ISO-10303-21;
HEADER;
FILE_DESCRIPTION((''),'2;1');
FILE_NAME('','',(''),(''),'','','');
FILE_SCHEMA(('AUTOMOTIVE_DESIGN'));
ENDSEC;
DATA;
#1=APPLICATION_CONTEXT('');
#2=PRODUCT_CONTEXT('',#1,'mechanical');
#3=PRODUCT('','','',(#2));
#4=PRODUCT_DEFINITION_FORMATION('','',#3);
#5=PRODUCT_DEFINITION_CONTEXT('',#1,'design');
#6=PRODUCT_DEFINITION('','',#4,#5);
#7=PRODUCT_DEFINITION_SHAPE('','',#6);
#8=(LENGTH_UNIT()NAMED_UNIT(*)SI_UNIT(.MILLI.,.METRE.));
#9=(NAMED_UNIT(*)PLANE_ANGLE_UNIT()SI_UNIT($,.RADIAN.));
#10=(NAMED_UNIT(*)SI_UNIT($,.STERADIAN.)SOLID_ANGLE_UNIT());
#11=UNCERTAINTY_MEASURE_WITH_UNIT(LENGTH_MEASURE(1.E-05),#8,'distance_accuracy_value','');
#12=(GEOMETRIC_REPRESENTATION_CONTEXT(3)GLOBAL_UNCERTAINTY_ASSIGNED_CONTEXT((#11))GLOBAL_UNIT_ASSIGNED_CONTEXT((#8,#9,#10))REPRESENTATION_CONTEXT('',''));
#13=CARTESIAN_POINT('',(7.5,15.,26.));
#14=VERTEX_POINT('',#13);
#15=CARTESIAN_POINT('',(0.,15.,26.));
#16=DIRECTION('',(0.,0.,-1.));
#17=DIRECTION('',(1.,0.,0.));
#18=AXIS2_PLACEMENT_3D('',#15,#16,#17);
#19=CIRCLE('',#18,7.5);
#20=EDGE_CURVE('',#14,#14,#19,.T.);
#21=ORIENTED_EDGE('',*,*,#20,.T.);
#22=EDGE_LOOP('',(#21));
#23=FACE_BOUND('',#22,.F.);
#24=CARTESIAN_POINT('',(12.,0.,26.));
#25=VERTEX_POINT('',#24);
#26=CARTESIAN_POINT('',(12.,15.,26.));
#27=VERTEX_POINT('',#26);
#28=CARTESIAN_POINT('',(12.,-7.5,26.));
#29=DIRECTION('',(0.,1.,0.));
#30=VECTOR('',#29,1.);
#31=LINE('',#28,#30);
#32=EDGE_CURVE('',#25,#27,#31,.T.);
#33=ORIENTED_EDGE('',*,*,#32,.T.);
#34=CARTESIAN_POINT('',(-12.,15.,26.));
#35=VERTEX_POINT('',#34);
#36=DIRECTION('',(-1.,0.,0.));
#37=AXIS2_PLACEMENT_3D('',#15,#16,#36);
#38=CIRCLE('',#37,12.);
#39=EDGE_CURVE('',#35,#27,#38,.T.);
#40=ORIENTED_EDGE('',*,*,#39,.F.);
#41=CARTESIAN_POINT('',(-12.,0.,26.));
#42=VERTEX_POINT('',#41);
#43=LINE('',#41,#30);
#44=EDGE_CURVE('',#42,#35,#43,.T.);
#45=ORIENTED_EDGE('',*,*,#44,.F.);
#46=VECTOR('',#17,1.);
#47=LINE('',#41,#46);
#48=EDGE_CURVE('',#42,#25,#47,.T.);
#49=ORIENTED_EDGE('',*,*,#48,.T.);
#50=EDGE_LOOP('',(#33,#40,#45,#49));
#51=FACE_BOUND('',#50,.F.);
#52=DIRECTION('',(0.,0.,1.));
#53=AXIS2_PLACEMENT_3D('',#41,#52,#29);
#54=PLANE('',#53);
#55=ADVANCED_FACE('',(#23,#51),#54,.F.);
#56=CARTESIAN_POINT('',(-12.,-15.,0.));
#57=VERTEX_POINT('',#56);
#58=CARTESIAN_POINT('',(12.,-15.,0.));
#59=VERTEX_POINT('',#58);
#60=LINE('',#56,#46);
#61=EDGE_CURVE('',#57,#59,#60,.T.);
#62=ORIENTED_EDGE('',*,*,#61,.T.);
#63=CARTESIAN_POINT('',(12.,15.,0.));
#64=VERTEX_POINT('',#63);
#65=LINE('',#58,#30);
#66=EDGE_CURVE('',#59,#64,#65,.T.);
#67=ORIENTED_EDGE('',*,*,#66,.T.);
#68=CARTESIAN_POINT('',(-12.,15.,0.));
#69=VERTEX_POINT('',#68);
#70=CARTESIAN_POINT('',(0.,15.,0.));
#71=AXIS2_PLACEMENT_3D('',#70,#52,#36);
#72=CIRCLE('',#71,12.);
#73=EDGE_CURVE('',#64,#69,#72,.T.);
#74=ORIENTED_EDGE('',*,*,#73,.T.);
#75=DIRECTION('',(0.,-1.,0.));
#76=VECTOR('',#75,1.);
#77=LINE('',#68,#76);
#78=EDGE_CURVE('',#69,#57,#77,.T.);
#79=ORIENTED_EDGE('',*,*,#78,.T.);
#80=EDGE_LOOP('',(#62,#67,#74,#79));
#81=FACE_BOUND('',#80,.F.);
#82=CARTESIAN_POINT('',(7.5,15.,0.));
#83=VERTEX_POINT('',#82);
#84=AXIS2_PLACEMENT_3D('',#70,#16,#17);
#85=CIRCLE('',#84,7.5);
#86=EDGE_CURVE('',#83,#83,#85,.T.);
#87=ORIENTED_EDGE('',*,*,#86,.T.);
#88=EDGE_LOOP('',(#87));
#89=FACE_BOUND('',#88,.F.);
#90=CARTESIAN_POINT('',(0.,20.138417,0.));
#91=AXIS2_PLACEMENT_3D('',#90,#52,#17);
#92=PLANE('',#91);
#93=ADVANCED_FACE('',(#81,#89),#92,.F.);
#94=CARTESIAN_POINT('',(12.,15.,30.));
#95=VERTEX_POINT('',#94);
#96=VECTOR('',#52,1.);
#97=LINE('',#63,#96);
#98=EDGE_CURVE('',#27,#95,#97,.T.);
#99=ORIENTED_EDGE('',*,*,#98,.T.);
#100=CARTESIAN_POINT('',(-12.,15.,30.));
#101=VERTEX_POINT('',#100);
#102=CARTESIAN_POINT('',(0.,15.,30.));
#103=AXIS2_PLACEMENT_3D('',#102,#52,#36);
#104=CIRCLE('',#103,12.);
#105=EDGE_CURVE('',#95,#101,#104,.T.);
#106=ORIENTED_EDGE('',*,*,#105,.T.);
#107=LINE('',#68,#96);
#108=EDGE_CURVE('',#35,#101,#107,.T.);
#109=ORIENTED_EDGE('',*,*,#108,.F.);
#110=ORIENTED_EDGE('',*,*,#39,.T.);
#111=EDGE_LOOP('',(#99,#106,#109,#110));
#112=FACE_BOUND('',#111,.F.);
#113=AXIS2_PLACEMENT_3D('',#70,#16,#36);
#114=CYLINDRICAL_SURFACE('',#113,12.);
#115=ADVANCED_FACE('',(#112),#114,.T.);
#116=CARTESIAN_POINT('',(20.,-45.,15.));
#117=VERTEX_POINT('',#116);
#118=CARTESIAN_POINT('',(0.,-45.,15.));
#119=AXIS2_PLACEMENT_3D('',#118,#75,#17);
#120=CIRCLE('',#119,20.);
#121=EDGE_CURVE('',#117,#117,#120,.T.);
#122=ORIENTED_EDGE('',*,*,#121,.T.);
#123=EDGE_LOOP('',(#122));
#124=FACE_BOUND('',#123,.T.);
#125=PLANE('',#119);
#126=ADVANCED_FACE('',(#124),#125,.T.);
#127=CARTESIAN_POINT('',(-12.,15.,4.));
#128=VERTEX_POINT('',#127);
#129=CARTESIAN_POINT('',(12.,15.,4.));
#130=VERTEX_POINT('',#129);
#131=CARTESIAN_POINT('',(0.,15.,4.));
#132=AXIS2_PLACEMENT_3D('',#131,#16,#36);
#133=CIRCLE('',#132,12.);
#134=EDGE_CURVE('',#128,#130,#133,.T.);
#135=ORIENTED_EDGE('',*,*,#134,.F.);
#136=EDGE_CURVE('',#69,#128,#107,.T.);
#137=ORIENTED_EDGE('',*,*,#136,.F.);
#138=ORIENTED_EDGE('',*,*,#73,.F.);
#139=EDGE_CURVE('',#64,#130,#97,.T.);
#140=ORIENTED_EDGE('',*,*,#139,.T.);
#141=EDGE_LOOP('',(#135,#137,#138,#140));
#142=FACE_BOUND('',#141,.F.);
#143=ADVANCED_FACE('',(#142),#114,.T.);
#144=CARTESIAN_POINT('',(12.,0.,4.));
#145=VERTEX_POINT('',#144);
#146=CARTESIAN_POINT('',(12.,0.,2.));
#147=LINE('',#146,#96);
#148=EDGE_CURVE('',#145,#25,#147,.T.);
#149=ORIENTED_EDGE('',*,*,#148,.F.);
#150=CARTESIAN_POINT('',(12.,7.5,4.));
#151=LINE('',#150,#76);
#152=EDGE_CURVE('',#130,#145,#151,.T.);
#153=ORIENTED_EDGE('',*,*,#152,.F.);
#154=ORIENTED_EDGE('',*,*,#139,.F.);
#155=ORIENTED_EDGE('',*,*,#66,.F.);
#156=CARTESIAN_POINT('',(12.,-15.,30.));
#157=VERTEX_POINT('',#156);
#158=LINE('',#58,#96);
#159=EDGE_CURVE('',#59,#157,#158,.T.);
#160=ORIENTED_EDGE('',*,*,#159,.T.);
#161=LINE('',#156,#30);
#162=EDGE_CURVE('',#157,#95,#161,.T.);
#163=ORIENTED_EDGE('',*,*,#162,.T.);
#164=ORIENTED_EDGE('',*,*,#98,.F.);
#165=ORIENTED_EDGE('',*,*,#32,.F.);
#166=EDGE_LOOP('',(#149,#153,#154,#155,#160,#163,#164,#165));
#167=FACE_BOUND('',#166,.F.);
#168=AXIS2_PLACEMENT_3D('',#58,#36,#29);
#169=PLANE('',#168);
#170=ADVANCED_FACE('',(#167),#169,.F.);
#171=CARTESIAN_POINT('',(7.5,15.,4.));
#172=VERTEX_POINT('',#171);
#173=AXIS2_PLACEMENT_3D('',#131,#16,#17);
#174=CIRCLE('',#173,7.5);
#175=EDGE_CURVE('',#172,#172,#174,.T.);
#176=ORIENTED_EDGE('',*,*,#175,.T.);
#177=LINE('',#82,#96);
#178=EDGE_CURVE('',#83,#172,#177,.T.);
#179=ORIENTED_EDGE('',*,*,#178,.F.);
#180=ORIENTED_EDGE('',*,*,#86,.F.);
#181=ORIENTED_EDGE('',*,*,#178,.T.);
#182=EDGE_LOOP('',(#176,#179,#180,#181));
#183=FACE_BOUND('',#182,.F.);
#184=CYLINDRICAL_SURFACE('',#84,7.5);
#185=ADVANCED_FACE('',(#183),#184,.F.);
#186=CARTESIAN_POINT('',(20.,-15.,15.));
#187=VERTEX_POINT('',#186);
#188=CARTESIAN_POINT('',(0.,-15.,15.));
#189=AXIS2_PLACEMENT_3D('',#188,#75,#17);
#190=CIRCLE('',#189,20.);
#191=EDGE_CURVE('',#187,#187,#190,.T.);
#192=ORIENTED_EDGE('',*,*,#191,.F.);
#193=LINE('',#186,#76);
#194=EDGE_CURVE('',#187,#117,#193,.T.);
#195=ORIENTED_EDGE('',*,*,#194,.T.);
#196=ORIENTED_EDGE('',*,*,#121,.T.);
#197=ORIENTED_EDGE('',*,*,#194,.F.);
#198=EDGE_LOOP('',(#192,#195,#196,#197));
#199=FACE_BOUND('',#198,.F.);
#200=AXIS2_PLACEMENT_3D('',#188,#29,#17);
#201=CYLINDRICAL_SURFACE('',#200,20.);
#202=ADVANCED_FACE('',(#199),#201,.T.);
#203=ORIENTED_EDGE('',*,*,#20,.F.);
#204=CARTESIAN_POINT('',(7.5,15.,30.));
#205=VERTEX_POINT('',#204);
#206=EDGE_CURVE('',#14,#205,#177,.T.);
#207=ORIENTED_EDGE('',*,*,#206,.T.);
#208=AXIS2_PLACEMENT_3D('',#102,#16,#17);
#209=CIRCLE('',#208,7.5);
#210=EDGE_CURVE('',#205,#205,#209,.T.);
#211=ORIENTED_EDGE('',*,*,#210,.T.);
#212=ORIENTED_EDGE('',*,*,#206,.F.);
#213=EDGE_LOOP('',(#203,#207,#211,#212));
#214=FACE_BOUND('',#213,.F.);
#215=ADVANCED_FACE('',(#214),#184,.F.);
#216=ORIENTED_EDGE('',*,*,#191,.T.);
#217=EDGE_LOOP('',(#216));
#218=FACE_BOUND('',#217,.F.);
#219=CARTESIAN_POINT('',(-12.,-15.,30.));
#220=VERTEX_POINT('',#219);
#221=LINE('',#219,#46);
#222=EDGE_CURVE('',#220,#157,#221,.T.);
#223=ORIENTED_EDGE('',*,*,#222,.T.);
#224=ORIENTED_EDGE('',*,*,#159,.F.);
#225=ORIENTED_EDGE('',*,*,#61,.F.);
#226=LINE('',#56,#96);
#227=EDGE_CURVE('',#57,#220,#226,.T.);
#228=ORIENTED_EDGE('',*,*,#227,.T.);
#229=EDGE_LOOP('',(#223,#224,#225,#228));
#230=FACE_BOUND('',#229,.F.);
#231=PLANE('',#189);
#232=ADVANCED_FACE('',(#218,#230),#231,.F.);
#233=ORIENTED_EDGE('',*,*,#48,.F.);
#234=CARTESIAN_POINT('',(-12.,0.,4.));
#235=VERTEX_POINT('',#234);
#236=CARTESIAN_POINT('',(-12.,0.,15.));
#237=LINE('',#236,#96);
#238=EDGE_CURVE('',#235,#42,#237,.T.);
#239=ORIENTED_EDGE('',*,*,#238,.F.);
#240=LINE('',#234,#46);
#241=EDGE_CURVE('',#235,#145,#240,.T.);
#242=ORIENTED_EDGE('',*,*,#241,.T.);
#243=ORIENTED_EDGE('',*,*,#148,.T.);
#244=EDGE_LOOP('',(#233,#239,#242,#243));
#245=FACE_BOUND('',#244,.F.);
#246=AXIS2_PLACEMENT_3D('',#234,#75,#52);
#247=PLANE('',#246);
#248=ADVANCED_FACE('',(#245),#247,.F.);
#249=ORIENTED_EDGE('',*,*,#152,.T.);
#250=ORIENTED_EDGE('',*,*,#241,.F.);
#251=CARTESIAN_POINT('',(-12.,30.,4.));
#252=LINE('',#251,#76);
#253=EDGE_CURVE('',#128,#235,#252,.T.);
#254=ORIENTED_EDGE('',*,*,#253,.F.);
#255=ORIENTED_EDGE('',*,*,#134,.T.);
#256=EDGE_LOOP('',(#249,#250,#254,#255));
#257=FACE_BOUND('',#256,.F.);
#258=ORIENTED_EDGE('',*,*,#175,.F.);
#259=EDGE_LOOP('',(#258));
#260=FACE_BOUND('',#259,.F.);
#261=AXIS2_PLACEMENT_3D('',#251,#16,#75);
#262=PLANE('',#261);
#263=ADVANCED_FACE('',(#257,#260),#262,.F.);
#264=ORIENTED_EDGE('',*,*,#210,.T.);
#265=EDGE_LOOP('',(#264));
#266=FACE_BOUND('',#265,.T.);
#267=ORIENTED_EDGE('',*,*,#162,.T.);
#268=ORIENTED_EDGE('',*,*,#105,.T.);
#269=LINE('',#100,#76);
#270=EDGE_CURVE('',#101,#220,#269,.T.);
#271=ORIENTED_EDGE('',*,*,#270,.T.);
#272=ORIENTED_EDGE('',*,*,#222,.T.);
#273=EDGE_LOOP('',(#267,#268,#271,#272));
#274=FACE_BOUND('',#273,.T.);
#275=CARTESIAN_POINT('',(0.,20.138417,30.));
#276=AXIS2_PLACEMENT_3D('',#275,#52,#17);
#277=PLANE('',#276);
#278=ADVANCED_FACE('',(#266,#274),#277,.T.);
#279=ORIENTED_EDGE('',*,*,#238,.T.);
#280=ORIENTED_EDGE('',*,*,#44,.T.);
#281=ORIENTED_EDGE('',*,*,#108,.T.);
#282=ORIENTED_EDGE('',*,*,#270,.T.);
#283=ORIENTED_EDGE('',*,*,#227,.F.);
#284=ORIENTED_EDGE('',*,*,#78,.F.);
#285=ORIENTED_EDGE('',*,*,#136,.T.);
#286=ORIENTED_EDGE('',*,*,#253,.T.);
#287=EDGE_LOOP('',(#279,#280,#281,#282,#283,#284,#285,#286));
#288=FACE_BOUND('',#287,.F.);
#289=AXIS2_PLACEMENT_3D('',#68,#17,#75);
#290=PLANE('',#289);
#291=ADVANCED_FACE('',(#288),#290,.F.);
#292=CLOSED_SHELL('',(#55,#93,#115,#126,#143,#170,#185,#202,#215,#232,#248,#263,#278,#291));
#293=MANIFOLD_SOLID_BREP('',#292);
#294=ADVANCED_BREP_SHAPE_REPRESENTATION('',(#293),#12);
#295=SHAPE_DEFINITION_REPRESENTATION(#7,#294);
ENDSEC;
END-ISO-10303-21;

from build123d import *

# Parameters (mm, degrees)
F1_DEPTH = 30
F2_R     = 20
F2_W     = 24
F2_H     = 30
F3_DEPTH = 30
F4_W     = 15
F4_H     = 22
F5_DEPTH = 25.4


with BuildPart() as f1:
    # F0 (on Top) → F1 (new body)
    with BuildSketch(Plane.XY):
        with BuildLine():
            Line((7.5, 15), (12, 15))
            ThreePointArc((12, 15), (0, 27), (-12, 15))
            Line((-12, 15), (-7.5, 15))
            ThreePointArc((-7.5, 15), (0, 22.5), (7.5, 15))
        make_face()
        with BuildLine():
            ThreePointArc((-12, 15), (0, 3), (12, 15))
            Line((12, 15), (7.5, 15))
            ThreePointArc((7.5, 15), (0, 7.5), (-7.5, 15))
            Line((-7.5, 15), (-12, 15))
        make_face()
        with BuildLine():
            Line((12, -15), (12, 15))
            ThreePointArc((12, 15), (0, 3), (-12, 15))
            Line((-12, 15), (-12, -15))
            Line((-12, -15), (12, -15))
        make_face()
    extrude(amount=F1_DEPTH)

    # F2 (on face) → F3 (join)
    with BuildSketch(Plane.XZ.offset(15)):
        with Locations((0, 15)):
            Circle(F2_R)
        with Locations((0, 15)):
            Rectangle(F2_W, F2_H, mode=Mode.SUBTRACT)
        with Locations((0, 15)):
            Rectangle(F2_W, F2_H)
    extrude(amount=F3_DEPTH)

    # F4 (on face) → F5 (cut)
    with BuildSketch(Plane(origin=(-12, 0, 0), x_dir=(0, -1, 0), z_dir=(-1, 0, 0))):
        with Locations((-22.5, 15)):
            Rectangle(F4_W, F4_H)
        with Locations((-7.5, 15)):
            Rectangle(F4_W, F4_H)
    extrude(amount=-F5_DEPTH, mode=Mode.SUBTRACT)


solid = f1.part
